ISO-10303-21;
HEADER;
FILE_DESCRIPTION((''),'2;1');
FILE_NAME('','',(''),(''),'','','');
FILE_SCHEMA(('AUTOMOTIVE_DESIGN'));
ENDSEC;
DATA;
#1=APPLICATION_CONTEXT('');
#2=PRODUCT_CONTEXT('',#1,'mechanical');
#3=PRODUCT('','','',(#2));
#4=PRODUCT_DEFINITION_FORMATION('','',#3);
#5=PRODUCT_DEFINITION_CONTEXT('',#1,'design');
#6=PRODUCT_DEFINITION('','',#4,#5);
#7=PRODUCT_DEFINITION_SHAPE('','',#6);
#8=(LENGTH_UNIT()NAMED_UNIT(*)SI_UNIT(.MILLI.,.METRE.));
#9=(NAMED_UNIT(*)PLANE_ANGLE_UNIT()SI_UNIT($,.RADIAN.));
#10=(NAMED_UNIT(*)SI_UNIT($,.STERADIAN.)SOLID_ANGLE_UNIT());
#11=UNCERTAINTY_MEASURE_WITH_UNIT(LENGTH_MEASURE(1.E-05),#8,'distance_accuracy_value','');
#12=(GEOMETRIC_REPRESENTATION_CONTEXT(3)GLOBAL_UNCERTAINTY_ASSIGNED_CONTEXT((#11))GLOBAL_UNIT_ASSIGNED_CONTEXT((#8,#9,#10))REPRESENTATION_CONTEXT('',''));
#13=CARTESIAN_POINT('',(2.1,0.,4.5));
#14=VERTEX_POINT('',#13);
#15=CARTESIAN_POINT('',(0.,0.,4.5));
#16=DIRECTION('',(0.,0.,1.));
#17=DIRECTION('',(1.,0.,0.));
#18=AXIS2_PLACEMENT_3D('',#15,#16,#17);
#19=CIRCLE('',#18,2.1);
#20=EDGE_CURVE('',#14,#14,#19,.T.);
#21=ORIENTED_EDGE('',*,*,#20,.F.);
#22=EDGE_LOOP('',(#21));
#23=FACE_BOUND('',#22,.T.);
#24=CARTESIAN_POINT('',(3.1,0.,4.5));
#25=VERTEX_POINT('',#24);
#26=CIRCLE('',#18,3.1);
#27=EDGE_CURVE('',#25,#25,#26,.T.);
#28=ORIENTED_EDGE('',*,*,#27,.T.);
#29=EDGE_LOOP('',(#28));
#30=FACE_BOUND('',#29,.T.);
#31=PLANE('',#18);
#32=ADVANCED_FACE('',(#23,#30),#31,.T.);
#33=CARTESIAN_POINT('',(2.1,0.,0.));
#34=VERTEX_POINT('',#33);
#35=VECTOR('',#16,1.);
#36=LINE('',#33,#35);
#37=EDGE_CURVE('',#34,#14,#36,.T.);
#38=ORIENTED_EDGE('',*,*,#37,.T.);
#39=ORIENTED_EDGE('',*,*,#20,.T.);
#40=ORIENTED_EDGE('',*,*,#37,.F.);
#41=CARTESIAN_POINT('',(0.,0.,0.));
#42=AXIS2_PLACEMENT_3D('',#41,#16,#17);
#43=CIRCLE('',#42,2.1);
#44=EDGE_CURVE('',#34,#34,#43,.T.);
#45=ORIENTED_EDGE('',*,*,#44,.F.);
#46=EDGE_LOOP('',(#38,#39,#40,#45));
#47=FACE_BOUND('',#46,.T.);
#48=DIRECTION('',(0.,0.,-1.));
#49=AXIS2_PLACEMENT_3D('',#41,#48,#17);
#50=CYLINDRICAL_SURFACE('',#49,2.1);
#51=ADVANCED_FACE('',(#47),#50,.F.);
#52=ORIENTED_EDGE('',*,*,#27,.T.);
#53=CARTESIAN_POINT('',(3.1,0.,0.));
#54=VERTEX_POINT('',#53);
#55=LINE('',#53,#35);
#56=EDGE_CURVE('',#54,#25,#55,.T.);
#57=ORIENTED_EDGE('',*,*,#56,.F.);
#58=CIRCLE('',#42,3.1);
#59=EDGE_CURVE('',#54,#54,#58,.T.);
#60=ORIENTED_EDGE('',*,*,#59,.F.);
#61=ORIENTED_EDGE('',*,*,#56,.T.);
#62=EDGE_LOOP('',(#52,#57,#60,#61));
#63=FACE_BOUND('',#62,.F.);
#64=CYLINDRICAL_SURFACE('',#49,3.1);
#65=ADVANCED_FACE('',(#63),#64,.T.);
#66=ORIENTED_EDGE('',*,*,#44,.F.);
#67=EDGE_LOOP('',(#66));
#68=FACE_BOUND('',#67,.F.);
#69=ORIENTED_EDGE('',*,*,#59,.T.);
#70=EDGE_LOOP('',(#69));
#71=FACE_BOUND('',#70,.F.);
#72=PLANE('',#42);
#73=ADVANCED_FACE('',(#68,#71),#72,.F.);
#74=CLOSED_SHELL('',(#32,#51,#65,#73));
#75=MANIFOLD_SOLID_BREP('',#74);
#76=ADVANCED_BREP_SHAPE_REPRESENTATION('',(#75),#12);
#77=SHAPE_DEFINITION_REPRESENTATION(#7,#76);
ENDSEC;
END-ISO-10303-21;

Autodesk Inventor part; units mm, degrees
ref_plane "YZ Plane" through (0, 0, 0) normal (1, 0, 0) x (0, 1, 0)
ref_plane "XZ Plane" through (0, 0, 0) normal (0, 1, 0) x (-1, 0, 0)
ref_plane "XY Plane" through (0, 0, 0) normal (0, 0, 1) x (1, 0, 0)
sketch "Skizze1" plane through (0, 0, 0) normal (0, 0, 1) x (1, 0, 0)
  circle A0 centre (0, 0) radius 2.1
  circle A1 centre (0, 0) radius 3.1
  dimension "d0" = 4.2
  dimension "d1" = 1
extrude "Extrusion1" add sketch "Skizze1" along normal blind 4.5
properties part number "EncoderBush1"
